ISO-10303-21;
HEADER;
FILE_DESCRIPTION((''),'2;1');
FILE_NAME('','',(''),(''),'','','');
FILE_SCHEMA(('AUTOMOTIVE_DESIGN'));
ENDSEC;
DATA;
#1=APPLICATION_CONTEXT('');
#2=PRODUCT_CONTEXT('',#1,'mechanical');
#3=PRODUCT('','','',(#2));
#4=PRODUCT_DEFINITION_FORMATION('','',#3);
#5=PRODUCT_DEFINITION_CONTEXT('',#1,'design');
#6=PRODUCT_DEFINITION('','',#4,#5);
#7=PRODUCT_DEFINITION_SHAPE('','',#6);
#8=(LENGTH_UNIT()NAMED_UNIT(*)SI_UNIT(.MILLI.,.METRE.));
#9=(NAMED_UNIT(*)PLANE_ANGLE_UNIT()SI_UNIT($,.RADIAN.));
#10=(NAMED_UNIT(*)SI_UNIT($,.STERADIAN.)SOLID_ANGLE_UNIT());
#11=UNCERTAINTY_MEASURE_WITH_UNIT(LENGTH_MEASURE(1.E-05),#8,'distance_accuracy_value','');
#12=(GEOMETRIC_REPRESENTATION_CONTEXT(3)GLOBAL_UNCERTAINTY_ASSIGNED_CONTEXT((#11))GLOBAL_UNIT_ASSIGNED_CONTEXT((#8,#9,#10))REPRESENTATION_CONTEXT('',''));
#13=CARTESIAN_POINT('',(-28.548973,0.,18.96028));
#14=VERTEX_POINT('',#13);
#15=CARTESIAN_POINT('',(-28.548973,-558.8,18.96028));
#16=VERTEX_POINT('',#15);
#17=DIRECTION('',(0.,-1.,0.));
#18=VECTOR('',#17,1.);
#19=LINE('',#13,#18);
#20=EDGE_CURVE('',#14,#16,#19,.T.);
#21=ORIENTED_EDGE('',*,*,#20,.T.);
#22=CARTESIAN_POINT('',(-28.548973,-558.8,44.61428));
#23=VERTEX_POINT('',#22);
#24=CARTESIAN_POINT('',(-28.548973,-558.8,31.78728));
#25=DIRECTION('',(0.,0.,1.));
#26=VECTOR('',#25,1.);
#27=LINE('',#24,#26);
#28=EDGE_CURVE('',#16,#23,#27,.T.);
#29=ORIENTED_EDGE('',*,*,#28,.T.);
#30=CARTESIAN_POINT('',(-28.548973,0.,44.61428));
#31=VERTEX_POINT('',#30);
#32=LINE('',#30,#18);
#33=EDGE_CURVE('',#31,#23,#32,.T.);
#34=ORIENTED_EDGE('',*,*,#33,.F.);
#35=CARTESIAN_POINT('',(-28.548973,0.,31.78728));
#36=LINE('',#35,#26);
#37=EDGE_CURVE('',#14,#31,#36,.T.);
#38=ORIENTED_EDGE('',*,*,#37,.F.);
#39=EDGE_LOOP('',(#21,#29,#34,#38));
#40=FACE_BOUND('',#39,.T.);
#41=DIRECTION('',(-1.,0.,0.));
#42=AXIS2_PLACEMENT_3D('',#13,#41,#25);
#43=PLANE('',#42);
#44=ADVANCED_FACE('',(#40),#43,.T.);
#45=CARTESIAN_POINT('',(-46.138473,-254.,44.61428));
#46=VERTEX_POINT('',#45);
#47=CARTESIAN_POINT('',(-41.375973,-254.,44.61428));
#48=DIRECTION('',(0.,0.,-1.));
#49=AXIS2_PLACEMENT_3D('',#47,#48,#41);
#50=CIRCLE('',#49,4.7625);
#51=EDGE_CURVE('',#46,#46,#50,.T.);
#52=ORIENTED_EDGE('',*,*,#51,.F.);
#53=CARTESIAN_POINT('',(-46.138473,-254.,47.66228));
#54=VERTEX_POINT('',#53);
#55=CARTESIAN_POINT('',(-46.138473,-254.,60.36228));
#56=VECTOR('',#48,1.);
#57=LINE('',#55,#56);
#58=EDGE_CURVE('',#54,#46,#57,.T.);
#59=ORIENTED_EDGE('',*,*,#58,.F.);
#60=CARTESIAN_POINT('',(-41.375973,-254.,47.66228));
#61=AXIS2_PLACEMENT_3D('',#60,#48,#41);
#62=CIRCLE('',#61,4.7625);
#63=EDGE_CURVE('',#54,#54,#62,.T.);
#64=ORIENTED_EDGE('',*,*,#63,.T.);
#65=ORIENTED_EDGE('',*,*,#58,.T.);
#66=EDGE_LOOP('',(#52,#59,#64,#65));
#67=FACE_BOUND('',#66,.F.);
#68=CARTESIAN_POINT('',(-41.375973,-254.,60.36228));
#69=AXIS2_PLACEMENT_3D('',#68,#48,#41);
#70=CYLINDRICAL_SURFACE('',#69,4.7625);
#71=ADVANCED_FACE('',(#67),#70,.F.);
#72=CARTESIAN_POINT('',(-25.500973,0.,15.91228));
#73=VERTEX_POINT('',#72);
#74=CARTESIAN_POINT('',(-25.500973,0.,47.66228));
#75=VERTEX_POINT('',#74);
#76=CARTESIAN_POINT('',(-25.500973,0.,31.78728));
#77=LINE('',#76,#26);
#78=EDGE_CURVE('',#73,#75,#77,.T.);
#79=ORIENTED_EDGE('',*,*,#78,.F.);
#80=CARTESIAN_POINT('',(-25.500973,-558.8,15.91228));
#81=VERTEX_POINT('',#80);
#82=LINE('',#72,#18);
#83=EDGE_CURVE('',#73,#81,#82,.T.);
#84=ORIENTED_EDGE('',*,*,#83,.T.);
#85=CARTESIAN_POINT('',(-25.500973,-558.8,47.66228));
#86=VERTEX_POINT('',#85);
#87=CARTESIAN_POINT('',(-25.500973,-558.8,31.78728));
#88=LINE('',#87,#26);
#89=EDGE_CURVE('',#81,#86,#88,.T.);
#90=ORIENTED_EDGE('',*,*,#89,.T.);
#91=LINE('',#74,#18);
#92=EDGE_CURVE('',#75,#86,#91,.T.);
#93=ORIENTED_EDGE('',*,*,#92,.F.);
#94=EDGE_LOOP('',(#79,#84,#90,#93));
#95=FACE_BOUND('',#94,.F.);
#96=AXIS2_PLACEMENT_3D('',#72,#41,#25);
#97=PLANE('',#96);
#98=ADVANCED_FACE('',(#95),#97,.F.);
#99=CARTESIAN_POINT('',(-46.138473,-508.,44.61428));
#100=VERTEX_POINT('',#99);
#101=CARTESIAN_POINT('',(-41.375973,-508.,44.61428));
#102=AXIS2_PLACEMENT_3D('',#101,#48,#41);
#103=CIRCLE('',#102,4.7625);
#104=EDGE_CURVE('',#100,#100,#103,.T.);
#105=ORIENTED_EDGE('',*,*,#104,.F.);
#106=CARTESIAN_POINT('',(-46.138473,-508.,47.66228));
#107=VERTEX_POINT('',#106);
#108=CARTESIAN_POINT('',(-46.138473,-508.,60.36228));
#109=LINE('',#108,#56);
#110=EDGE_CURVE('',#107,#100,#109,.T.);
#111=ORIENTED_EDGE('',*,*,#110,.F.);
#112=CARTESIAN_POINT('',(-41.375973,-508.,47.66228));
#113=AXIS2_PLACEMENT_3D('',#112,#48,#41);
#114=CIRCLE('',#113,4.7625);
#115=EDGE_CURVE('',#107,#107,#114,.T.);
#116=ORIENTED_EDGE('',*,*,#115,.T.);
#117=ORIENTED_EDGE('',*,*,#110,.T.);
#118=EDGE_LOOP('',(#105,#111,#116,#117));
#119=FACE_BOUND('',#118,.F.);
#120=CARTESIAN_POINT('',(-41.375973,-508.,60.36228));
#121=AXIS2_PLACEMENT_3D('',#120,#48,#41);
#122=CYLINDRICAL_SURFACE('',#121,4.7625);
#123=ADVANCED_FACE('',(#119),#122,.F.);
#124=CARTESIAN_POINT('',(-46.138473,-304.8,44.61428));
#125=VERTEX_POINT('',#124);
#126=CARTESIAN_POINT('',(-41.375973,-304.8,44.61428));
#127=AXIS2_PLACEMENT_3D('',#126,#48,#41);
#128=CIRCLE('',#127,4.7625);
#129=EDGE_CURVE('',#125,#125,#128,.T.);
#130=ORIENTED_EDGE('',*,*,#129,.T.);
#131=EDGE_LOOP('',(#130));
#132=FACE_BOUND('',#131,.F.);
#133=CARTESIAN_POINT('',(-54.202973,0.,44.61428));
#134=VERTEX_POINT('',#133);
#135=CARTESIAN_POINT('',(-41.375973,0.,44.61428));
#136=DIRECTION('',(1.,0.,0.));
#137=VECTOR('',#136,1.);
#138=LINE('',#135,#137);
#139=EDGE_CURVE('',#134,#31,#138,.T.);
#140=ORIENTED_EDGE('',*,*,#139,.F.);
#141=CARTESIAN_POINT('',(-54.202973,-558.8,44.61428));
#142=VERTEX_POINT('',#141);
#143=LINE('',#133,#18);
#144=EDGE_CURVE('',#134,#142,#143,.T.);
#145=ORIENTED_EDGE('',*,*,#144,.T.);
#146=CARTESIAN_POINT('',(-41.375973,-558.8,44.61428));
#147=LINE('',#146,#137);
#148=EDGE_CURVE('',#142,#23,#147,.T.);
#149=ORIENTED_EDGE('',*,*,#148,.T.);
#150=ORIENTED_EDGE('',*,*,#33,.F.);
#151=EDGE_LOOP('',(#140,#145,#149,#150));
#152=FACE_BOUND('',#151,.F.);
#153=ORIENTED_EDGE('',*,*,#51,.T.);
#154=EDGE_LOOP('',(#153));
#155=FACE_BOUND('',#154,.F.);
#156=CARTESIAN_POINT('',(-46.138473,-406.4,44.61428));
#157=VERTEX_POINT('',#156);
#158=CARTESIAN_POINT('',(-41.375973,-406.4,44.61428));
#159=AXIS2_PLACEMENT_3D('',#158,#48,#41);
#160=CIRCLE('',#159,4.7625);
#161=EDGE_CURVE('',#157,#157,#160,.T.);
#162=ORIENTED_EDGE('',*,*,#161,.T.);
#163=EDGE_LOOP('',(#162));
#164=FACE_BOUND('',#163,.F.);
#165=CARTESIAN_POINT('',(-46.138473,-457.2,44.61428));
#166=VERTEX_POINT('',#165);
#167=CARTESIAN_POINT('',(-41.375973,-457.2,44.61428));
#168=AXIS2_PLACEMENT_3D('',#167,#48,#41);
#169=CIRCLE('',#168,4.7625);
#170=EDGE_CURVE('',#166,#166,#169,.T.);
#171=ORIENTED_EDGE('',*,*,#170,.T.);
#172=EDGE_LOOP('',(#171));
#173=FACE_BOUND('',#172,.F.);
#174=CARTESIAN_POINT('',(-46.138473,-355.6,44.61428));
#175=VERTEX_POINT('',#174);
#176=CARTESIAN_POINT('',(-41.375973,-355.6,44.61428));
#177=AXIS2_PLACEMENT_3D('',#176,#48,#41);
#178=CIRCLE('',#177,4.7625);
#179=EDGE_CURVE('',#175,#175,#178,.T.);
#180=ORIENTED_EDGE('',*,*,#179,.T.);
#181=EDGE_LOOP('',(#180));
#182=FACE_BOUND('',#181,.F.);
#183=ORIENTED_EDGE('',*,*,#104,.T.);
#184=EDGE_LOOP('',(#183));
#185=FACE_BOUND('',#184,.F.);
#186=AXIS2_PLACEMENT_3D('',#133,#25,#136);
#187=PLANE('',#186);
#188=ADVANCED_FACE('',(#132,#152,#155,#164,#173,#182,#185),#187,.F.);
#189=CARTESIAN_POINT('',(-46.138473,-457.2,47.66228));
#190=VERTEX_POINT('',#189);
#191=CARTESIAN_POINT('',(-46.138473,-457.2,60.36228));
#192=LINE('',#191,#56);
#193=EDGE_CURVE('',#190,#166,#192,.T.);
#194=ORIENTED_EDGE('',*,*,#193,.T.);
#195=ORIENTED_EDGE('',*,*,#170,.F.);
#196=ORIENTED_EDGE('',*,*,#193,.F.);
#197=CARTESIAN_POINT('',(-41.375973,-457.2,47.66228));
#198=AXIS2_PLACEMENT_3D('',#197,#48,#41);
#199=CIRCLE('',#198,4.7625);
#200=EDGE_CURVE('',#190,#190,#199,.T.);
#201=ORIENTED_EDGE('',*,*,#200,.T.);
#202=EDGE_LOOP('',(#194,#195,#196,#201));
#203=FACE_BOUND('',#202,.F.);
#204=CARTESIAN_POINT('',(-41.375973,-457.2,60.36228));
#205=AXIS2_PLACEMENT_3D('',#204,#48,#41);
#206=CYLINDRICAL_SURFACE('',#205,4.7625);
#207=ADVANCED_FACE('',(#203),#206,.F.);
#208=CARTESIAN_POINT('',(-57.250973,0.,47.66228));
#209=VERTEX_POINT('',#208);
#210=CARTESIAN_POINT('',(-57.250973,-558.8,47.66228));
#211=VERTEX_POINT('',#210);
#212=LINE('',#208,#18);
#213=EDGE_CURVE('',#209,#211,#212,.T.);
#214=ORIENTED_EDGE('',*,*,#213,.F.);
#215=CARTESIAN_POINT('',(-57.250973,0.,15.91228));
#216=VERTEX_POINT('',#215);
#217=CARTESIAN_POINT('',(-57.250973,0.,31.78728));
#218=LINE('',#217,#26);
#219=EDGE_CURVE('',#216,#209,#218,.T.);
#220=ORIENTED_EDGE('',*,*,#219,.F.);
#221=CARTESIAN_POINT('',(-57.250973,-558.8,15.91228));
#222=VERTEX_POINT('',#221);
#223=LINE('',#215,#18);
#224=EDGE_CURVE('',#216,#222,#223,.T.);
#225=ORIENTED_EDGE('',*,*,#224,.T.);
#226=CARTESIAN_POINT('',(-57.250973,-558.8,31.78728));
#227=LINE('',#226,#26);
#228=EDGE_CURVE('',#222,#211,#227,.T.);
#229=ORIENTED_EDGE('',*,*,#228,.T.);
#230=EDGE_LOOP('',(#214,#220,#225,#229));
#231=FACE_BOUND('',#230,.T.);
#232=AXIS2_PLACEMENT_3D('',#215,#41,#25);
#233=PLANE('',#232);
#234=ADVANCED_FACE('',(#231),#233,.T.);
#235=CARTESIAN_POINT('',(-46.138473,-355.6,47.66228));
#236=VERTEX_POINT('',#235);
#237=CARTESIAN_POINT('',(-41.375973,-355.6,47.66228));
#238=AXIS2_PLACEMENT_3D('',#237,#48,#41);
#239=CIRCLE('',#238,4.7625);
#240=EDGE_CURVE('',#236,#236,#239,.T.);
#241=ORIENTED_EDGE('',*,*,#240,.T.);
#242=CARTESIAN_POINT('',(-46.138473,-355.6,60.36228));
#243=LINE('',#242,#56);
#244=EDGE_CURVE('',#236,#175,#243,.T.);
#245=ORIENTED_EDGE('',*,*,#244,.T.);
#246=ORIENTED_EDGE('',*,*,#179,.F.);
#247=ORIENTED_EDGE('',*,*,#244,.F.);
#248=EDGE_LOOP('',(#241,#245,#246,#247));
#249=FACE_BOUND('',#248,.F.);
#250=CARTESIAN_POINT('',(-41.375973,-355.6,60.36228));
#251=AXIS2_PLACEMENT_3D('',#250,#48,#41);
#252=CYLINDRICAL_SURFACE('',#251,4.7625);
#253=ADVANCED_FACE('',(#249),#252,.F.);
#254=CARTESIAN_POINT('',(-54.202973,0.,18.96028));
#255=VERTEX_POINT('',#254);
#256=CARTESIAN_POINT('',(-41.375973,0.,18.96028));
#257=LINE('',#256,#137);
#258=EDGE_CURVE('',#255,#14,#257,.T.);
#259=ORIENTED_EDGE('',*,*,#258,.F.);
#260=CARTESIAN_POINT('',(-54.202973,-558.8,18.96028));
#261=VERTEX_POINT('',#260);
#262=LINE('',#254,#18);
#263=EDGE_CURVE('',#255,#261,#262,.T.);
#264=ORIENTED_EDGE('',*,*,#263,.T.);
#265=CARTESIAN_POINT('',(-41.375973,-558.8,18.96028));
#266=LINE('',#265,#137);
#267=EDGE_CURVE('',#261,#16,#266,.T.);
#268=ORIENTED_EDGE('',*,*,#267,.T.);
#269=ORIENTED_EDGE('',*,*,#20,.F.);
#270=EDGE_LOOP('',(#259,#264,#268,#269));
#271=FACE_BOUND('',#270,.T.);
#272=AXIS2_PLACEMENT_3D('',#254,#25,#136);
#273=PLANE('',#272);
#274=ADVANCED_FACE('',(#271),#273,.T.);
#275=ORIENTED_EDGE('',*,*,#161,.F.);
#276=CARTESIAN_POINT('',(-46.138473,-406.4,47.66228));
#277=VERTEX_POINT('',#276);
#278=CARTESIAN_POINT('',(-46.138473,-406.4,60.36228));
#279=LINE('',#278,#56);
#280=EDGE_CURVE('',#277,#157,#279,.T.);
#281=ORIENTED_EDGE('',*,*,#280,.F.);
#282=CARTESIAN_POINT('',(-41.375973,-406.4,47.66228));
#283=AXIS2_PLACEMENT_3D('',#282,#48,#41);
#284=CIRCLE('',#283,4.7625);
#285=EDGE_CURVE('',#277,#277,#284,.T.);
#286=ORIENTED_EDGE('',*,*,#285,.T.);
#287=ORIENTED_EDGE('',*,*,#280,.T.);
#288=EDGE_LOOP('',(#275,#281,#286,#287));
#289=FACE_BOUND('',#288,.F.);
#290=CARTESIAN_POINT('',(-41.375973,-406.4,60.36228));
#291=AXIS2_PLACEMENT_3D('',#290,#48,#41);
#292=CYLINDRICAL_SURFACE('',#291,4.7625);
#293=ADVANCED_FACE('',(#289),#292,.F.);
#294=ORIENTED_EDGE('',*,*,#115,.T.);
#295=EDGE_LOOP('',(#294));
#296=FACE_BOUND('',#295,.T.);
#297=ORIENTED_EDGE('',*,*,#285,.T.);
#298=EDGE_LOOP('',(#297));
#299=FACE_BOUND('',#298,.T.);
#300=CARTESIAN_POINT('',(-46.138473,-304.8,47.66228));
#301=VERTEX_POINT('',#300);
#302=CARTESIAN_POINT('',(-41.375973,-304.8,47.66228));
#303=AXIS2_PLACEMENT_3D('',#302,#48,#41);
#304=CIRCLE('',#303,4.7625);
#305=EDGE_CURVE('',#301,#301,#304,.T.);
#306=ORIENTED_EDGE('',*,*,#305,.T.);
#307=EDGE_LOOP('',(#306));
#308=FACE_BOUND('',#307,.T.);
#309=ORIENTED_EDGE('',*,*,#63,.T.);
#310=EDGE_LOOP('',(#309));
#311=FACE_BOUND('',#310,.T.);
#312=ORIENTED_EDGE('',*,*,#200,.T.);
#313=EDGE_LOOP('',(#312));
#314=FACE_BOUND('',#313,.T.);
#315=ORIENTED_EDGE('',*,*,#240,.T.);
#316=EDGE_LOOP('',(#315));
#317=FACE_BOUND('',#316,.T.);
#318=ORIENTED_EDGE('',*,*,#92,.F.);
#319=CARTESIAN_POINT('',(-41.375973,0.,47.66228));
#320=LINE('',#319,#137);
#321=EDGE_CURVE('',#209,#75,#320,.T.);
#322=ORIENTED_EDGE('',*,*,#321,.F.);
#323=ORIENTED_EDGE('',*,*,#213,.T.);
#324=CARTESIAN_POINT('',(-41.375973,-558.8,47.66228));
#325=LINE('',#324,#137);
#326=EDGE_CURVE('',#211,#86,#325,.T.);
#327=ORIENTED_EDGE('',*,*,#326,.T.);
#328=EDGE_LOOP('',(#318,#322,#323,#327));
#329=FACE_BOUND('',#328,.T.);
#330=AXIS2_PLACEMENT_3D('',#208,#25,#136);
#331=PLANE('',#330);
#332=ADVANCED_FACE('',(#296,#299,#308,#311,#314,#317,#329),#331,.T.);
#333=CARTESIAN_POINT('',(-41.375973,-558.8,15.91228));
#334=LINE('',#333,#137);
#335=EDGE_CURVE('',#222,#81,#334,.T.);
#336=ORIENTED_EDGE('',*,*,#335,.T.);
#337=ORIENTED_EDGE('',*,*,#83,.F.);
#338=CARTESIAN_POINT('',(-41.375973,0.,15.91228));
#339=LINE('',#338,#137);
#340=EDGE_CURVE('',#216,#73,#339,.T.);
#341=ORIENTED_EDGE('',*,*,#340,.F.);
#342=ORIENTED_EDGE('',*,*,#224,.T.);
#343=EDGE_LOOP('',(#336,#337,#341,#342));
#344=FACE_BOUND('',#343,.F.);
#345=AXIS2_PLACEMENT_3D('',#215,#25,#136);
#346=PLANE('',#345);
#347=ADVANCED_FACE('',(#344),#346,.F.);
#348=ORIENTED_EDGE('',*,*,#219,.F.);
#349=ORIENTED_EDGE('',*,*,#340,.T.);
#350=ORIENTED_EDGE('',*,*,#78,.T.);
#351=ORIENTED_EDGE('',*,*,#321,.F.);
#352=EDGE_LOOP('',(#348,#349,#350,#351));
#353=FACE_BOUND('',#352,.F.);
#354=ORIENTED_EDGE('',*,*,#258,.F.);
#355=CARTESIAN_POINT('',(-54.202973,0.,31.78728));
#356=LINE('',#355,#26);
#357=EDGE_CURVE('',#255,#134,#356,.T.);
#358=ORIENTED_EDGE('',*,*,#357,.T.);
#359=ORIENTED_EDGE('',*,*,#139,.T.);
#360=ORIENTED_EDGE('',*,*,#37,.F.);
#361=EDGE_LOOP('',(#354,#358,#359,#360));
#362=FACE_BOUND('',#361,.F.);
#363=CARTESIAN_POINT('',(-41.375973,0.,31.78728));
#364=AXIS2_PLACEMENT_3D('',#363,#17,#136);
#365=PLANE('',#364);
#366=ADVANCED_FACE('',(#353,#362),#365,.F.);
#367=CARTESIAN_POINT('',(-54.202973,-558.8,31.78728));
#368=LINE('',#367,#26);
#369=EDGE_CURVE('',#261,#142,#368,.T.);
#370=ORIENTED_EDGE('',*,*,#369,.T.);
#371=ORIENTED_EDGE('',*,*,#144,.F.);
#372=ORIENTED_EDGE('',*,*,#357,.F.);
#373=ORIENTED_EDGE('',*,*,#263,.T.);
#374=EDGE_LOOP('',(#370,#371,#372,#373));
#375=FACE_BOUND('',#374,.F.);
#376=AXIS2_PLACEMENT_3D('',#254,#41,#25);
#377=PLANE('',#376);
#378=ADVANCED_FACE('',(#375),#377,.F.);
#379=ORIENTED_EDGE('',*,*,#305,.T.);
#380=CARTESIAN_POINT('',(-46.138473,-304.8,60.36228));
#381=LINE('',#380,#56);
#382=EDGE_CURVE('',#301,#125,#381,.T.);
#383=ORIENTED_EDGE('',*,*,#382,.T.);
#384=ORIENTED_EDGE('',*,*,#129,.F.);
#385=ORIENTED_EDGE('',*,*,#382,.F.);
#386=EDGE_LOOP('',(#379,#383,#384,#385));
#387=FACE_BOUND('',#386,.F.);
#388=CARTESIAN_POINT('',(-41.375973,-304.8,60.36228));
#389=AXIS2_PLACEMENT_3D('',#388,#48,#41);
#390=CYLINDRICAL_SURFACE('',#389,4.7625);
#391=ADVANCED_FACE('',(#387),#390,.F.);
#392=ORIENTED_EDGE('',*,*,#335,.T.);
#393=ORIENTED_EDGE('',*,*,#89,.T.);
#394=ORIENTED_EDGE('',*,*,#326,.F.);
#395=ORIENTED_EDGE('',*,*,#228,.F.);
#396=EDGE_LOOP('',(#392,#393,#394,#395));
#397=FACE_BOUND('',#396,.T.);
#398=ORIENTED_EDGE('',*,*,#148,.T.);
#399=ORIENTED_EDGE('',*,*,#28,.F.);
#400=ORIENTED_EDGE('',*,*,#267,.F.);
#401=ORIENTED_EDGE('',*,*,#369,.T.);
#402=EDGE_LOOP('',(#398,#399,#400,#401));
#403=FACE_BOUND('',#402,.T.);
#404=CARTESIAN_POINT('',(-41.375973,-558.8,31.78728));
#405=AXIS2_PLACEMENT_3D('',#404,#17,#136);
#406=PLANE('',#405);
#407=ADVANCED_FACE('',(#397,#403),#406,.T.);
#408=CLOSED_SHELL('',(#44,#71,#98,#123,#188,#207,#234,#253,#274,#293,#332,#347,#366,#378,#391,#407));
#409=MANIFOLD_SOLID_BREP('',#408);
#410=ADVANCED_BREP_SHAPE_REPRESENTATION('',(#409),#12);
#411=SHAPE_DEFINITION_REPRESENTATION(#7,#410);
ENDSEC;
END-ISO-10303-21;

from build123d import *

# Parameters (mm, degrees)
F0_W     = 31.75
F0_H     = 31.75
F0_W_2   = 25.654
F0_H_2   = 25.654
F1_DEPTH = 558.8
F3_D     = 9.525
F3_DEPTH = 12.7


with BuildPart() as f1:
    # F0 (on Front) → F1 (new body)
    with BuildSketch(Plane.XZ):
        with Locations((-41.375973, 31.78728)):
            Rectangle(F0_W, F0_H)
        with Locations((-41.375973, 31.78728)):
            Rectangle(F0_W_2, F0_H_2, mode=Mode.SUBTRACT)
    extrude(amount=F1_DEPTH)

    # F3
    with Locations(Plane.XY.offset(47.66228)):
        with Locations((-41.375973, -508), (-41.375973, -457.2), (-41.375973, -406.4), (-41.375973, -355.6), (-41.375973, -304.8), (-41.375973, -254)):
            Hole(F3_D / 2, depth=F3_DEPTH)


solid = f1.part
